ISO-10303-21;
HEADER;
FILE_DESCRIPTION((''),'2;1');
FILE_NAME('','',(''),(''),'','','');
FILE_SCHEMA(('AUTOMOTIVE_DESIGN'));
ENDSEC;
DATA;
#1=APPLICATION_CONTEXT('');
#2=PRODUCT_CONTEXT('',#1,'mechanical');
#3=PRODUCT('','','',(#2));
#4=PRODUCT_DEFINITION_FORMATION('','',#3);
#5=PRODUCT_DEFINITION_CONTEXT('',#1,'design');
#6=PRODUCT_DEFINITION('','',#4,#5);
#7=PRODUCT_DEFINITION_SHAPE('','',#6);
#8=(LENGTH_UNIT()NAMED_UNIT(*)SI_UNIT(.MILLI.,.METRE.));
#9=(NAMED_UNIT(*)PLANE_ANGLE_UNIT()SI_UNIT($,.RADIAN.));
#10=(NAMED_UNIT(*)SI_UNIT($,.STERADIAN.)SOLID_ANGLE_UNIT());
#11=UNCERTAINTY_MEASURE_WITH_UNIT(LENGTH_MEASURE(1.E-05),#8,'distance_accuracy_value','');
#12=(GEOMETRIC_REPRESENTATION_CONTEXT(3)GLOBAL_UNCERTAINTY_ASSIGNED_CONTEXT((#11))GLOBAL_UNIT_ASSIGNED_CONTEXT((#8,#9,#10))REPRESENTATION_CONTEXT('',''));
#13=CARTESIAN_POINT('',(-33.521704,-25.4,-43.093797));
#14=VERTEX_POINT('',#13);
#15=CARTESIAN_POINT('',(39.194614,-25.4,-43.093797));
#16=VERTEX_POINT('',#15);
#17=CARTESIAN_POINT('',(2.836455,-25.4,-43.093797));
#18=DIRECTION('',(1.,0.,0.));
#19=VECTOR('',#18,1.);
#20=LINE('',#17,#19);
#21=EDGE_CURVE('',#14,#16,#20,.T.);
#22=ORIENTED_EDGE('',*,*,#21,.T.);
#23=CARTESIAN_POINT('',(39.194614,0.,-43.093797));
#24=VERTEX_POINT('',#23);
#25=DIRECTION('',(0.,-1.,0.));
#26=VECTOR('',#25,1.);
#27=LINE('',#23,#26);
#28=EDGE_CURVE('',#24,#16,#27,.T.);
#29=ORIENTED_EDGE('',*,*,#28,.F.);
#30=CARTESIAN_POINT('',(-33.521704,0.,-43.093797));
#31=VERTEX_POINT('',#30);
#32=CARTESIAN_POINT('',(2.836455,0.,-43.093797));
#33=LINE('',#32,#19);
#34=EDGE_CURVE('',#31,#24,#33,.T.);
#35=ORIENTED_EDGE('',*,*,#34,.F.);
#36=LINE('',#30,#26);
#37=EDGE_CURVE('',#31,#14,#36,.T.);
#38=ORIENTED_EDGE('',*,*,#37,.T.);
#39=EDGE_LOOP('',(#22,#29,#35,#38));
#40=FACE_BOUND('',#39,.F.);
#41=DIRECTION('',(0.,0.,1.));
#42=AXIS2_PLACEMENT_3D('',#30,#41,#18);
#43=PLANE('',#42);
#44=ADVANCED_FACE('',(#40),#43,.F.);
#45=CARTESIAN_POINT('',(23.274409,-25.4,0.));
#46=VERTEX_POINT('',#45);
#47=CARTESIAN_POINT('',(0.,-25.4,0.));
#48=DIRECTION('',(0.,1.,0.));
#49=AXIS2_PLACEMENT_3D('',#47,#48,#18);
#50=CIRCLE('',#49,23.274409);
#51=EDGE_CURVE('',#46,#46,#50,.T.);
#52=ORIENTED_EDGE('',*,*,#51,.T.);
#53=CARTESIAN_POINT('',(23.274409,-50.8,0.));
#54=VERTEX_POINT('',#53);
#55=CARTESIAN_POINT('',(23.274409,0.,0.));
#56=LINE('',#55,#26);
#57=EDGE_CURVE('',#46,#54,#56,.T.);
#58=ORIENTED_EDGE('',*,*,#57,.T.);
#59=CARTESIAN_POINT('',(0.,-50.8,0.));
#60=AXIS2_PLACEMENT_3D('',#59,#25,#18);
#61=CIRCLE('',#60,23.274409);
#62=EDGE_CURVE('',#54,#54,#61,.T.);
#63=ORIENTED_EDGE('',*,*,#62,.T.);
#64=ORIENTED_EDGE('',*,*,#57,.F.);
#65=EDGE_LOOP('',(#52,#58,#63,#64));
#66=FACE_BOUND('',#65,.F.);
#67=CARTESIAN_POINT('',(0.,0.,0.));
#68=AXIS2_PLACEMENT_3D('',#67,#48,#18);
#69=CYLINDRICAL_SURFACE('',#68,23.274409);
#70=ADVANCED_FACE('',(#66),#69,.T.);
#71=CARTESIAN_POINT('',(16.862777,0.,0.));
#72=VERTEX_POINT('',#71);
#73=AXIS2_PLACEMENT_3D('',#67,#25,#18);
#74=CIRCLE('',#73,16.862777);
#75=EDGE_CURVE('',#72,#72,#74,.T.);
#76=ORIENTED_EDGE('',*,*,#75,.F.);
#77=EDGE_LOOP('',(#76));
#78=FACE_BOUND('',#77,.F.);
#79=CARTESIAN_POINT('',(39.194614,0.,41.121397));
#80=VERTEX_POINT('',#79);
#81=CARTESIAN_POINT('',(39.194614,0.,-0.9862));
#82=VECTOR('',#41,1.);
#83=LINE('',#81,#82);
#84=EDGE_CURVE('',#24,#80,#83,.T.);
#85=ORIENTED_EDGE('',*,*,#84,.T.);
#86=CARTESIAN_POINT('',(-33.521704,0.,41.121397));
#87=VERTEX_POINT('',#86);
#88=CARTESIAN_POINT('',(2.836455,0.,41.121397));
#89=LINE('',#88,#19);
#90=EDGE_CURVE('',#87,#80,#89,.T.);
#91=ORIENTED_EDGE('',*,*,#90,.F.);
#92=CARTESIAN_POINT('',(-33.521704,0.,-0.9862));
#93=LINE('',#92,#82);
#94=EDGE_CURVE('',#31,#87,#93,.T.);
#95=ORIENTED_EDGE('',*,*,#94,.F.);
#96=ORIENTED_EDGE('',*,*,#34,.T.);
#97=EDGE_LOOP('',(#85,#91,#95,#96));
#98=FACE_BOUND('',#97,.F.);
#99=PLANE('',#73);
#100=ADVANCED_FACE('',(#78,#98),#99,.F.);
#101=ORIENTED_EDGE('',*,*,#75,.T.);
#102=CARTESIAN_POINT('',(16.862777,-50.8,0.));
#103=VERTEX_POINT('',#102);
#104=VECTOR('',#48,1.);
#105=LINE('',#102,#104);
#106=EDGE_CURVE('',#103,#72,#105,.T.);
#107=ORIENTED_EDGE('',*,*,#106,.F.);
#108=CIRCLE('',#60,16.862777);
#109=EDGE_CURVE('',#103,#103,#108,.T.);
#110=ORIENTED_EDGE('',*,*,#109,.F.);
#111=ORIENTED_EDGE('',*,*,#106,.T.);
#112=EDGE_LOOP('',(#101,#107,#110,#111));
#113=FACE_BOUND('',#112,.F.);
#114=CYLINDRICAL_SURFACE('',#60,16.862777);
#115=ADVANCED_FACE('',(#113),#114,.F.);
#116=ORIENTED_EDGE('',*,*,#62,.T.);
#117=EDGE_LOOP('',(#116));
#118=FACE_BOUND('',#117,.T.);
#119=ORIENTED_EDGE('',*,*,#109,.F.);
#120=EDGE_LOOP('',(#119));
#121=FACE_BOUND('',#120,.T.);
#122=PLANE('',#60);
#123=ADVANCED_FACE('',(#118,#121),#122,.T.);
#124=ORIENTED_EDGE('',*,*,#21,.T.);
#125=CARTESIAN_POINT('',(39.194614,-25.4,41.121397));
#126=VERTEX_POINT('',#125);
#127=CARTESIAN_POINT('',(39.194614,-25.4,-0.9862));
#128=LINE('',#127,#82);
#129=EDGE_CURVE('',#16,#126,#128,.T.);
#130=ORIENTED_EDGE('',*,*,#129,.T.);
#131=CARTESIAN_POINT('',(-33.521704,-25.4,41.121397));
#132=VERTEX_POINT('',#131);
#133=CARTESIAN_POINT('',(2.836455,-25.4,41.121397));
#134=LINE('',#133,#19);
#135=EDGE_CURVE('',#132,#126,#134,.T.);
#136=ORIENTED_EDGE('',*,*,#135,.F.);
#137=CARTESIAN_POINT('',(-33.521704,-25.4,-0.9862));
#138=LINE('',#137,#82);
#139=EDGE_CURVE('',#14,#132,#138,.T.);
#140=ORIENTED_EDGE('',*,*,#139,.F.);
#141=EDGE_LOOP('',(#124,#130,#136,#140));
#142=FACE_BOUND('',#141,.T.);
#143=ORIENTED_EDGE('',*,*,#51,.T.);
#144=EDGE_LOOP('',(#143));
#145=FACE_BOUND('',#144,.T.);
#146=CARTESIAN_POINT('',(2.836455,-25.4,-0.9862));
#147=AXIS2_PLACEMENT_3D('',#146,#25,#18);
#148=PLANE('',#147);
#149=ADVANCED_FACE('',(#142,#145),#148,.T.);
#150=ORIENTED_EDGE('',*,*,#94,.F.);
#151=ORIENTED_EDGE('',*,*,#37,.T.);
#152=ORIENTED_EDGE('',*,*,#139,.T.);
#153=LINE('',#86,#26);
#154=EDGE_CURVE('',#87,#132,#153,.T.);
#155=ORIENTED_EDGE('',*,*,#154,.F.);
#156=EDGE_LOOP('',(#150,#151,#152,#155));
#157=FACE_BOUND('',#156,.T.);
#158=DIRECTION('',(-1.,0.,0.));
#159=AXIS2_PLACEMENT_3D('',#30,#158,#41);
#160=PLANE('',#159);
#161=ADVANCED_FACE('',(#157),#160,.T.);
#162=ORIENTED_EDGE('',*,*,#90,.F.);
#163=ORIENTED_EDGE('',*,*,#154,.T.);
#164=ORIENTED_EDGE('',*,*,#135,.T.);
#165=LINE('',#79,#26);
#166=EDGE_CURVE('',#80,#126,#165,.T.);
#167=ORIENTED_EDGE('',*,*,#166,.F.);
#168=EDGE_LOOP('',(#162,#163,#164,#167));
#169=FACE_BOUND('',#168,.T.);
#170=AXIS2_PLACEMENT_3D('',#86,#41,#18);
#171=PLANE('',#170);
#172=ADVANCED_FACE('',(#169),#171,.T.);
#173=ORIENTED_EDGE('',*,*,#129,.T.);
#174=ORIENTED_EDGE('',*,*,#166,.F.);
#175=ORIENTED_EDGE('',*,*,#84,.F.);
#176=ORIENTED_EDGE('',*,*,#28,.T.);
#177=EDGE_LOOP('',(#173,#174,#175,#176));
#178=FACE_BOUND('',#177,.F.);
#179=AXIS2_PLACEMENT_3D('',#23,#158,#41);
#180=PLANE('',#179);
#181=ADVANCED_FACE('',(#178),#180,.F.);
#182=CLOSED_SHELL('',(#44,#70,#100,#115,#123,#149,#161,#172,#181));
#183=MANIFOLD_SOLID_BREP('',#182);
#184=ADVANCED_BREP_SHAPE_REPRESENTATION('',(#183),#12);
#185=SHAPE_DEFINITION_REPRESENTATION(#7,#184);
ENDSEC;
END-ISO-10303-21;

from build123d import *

# Parameters (mm, degrees)
F0_W     = 72.716318
F0_H     = 84.215194
F1_DEPTH = 25.4
F2_R     = 23.274409
F3_DEPTH = 50.8
F4_R     = 16.862777
F5_DEPTH = 50.801


with BuildPart() as f1:
    # F0 (on Front) → F1 (new body)
    with BuildSketch(Plane.XZ):
        with Locations((2.836455, -0.9862)):
            Rectangle(F0_W, F0_H)
    extrude(amount=F1_DEPTH)

    # F2 (on Front) → F3 (join)
    with BuildSketch(Plane.XZ):
        Circle(F2_R)
    extrude(amount=F3_DEPTH)

    # F4 (on face) → F5 (cut, through all)
    with BuildSketch(Plane.XZ.offset(50.8)):
        Circle(F4_R)
    extrude(amount=-F5_DEPTH, mode=Mode.SUBTRACT)


solid = f1.part
